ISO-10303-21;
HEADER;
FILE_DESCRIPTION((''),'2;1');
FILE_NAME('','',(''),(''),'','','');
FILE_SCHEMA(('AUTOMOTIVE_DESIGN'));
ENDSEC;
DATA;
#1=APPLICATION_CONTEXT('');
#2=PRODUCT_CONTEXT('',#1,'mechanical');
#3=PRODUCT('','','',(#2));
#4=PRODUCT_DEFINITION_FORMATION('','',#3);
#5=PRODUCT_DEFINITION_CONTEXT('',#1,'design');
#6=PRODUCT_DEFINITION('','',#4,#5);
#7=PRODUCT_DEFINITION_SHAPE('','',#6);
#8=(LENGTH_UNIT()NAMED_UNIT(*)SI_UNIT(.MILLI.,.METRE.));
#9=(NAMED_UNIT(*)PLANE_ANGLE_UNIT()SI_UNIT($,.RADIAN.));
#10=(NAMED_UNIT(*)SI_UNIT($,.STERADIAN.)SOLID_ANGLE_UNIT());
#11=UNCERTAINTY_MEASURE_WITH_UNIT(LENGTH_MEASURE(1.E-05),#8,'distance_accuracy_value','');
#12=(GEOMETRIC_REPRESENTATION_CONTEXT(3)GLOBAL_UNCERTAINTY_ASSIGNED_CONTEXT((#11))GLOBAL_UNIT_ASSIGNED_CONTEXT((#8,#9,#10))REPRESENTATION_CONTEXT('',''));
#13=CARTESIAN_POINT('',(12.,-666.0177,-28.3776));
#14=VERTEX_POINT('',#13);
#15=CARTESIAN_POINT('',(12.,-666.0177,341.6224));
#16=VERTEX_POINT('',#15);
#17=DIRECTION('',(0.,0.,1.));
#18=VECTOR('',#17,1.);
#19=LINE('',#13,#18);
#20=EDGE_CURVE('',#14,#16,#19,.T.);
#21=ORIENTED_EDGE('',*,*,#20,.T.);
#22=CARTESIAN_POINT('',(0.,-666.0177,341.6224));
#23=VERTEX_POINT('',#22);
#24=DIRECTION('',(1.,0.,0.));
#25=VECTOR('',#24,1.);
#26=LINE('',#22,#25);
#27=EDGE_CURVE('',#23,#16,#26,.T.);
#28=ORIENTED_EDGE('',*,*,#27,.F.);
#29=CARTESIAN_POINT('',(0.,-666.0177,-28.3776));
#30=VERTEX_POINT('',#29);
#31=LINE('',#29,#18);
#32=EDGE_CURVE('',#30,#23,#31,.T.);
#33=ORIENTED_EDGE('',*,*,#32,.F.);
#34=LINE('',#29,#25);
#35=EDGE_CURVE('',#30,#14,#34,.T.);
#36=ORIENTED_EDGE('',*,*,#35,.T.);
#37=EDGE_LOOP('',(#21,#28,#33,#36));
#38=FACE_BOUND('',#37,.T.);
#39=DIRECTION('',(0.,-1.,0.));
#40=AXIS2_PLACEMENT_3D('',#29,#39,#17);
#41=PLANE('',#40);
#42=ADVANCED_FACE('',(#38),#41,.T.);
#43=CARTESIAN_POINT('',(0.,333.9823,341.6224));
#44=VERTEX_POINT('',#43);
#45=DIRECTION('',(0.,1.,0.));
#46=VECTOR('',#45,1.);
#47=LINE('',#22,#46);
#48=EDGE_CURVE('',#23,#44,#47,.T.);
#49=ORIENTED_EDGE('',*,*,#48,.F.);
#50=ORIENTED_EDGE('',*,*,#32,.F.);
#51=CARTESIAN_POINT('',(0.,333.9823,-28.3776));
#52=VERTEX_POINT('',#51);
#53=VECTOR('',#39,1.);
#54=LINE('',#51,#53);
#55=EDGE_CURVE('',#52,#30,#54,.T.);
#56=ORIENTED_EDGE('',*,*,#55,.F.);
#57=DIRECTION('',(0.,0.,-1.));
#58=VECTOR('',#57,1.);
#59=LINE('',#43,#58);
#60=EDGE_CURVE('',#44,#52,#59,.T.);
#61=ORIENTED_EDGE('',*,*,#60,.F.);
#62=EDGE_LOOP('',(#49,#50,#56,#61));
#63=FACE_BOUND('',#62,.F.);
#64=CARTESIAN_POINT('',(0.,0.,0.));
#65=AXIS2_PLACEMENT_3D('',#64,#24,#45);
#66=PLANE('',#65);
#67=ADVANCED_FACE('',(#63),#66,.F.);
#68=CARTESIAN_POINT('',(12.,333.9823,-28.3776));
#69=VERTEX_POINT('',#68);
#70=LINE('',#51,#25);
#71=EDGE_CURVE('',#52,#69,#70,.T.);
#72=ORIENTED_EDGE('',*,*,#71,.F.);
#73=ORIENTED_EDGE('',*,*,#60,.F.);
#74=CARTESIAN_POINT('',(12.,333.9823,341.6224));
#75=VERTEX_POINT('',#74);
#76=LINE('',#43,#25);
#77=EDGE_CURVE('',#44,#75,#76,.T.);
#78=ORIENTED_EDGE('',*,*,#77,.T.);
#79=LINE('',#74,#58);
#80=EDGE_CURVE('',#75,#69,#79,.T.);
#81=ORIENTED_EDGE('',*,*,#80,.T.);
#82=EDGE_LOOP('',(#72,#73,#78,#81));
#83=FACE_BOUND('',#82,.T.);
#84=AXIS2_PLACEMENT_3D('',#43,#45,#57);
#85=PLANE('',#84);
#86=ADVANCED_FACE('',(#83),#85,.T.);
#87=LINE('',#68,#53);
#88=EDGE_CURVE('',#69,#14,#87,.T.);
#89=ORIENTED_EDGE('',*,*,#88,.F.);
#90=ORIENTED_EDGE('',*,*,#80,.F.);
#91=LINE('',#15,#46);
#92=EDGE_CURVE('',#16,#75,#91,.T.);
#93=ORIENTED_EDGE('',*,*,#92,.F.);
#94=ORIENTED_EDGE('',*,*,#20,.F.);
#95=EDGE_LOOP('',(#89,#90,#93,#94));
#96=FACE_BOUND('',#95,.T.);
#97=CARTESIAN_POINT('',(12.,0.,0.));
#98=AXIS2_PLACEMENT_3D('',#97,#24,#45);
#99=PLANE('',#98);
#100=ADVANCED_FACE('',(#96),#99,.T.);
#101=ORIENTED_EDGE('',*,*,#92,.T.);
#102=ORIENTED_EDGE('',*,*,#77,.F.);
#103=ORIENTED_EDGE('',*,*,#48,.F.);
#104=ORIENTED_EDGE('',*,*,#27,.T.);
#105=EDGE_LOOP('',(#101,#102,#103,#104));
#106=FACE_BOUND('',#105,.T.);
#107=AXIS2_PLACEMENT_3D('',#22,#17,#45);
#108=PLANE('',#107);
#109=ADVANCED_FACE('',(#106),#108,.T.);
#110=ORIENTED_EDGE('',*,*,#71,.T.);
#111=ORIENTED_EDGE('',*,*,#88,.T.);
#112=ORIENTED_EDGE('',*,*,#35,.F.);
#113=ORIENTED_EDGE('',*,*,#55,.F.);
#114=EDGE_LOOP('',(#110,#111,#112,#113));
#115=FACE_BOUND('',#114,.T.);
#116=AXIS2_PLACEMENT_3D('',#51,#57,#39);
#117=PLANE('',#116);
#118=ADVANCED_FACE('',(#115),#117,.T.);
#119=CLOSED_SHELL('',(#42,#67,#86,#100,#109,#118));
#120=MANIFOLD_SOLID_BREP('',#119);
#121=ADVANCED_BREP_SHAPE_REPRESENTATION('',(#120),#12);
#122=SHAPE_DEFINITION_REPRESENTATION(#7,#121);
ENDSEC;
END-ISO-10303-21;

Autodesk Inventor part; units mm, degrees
ref_plane "YZ Plane" through (0, 0, 0) normal (1, 0, 0) x (0, 1, 0)
ref_plane "XZ Plane" through (0, 0, 0) normal (0, 1, 0) x (-1, 0, 0)
ref_plane "XY Plane" through (0, 0, 0) normal (0, 0, 1) x (1, 0, 0)
sketch "Sketch1" plane through (0, 0, 0) normal (1, 0, 0) x (0, 1, 0)
  line L0 (-666.0177, 341.6224) -> (333.9823, 341.6224)
  line L1 (333.9823, 341.6224) -> (333.9823, -28.3776)
  line L2 (333.9823, -28.3776) -> (-666.0177, -28.3776)
  line L3 (-666.0177, -28.3776) -> (-666.0177, 341.6224)
  point P0 (0, 0)
  dimension "d0" = 370
  dimension "d1" = 1000
extrude "Extrusion1" add sketch "Sketch1" along normal blind 12
properties part number "CUT PART R" material "Wood (Birch)"
